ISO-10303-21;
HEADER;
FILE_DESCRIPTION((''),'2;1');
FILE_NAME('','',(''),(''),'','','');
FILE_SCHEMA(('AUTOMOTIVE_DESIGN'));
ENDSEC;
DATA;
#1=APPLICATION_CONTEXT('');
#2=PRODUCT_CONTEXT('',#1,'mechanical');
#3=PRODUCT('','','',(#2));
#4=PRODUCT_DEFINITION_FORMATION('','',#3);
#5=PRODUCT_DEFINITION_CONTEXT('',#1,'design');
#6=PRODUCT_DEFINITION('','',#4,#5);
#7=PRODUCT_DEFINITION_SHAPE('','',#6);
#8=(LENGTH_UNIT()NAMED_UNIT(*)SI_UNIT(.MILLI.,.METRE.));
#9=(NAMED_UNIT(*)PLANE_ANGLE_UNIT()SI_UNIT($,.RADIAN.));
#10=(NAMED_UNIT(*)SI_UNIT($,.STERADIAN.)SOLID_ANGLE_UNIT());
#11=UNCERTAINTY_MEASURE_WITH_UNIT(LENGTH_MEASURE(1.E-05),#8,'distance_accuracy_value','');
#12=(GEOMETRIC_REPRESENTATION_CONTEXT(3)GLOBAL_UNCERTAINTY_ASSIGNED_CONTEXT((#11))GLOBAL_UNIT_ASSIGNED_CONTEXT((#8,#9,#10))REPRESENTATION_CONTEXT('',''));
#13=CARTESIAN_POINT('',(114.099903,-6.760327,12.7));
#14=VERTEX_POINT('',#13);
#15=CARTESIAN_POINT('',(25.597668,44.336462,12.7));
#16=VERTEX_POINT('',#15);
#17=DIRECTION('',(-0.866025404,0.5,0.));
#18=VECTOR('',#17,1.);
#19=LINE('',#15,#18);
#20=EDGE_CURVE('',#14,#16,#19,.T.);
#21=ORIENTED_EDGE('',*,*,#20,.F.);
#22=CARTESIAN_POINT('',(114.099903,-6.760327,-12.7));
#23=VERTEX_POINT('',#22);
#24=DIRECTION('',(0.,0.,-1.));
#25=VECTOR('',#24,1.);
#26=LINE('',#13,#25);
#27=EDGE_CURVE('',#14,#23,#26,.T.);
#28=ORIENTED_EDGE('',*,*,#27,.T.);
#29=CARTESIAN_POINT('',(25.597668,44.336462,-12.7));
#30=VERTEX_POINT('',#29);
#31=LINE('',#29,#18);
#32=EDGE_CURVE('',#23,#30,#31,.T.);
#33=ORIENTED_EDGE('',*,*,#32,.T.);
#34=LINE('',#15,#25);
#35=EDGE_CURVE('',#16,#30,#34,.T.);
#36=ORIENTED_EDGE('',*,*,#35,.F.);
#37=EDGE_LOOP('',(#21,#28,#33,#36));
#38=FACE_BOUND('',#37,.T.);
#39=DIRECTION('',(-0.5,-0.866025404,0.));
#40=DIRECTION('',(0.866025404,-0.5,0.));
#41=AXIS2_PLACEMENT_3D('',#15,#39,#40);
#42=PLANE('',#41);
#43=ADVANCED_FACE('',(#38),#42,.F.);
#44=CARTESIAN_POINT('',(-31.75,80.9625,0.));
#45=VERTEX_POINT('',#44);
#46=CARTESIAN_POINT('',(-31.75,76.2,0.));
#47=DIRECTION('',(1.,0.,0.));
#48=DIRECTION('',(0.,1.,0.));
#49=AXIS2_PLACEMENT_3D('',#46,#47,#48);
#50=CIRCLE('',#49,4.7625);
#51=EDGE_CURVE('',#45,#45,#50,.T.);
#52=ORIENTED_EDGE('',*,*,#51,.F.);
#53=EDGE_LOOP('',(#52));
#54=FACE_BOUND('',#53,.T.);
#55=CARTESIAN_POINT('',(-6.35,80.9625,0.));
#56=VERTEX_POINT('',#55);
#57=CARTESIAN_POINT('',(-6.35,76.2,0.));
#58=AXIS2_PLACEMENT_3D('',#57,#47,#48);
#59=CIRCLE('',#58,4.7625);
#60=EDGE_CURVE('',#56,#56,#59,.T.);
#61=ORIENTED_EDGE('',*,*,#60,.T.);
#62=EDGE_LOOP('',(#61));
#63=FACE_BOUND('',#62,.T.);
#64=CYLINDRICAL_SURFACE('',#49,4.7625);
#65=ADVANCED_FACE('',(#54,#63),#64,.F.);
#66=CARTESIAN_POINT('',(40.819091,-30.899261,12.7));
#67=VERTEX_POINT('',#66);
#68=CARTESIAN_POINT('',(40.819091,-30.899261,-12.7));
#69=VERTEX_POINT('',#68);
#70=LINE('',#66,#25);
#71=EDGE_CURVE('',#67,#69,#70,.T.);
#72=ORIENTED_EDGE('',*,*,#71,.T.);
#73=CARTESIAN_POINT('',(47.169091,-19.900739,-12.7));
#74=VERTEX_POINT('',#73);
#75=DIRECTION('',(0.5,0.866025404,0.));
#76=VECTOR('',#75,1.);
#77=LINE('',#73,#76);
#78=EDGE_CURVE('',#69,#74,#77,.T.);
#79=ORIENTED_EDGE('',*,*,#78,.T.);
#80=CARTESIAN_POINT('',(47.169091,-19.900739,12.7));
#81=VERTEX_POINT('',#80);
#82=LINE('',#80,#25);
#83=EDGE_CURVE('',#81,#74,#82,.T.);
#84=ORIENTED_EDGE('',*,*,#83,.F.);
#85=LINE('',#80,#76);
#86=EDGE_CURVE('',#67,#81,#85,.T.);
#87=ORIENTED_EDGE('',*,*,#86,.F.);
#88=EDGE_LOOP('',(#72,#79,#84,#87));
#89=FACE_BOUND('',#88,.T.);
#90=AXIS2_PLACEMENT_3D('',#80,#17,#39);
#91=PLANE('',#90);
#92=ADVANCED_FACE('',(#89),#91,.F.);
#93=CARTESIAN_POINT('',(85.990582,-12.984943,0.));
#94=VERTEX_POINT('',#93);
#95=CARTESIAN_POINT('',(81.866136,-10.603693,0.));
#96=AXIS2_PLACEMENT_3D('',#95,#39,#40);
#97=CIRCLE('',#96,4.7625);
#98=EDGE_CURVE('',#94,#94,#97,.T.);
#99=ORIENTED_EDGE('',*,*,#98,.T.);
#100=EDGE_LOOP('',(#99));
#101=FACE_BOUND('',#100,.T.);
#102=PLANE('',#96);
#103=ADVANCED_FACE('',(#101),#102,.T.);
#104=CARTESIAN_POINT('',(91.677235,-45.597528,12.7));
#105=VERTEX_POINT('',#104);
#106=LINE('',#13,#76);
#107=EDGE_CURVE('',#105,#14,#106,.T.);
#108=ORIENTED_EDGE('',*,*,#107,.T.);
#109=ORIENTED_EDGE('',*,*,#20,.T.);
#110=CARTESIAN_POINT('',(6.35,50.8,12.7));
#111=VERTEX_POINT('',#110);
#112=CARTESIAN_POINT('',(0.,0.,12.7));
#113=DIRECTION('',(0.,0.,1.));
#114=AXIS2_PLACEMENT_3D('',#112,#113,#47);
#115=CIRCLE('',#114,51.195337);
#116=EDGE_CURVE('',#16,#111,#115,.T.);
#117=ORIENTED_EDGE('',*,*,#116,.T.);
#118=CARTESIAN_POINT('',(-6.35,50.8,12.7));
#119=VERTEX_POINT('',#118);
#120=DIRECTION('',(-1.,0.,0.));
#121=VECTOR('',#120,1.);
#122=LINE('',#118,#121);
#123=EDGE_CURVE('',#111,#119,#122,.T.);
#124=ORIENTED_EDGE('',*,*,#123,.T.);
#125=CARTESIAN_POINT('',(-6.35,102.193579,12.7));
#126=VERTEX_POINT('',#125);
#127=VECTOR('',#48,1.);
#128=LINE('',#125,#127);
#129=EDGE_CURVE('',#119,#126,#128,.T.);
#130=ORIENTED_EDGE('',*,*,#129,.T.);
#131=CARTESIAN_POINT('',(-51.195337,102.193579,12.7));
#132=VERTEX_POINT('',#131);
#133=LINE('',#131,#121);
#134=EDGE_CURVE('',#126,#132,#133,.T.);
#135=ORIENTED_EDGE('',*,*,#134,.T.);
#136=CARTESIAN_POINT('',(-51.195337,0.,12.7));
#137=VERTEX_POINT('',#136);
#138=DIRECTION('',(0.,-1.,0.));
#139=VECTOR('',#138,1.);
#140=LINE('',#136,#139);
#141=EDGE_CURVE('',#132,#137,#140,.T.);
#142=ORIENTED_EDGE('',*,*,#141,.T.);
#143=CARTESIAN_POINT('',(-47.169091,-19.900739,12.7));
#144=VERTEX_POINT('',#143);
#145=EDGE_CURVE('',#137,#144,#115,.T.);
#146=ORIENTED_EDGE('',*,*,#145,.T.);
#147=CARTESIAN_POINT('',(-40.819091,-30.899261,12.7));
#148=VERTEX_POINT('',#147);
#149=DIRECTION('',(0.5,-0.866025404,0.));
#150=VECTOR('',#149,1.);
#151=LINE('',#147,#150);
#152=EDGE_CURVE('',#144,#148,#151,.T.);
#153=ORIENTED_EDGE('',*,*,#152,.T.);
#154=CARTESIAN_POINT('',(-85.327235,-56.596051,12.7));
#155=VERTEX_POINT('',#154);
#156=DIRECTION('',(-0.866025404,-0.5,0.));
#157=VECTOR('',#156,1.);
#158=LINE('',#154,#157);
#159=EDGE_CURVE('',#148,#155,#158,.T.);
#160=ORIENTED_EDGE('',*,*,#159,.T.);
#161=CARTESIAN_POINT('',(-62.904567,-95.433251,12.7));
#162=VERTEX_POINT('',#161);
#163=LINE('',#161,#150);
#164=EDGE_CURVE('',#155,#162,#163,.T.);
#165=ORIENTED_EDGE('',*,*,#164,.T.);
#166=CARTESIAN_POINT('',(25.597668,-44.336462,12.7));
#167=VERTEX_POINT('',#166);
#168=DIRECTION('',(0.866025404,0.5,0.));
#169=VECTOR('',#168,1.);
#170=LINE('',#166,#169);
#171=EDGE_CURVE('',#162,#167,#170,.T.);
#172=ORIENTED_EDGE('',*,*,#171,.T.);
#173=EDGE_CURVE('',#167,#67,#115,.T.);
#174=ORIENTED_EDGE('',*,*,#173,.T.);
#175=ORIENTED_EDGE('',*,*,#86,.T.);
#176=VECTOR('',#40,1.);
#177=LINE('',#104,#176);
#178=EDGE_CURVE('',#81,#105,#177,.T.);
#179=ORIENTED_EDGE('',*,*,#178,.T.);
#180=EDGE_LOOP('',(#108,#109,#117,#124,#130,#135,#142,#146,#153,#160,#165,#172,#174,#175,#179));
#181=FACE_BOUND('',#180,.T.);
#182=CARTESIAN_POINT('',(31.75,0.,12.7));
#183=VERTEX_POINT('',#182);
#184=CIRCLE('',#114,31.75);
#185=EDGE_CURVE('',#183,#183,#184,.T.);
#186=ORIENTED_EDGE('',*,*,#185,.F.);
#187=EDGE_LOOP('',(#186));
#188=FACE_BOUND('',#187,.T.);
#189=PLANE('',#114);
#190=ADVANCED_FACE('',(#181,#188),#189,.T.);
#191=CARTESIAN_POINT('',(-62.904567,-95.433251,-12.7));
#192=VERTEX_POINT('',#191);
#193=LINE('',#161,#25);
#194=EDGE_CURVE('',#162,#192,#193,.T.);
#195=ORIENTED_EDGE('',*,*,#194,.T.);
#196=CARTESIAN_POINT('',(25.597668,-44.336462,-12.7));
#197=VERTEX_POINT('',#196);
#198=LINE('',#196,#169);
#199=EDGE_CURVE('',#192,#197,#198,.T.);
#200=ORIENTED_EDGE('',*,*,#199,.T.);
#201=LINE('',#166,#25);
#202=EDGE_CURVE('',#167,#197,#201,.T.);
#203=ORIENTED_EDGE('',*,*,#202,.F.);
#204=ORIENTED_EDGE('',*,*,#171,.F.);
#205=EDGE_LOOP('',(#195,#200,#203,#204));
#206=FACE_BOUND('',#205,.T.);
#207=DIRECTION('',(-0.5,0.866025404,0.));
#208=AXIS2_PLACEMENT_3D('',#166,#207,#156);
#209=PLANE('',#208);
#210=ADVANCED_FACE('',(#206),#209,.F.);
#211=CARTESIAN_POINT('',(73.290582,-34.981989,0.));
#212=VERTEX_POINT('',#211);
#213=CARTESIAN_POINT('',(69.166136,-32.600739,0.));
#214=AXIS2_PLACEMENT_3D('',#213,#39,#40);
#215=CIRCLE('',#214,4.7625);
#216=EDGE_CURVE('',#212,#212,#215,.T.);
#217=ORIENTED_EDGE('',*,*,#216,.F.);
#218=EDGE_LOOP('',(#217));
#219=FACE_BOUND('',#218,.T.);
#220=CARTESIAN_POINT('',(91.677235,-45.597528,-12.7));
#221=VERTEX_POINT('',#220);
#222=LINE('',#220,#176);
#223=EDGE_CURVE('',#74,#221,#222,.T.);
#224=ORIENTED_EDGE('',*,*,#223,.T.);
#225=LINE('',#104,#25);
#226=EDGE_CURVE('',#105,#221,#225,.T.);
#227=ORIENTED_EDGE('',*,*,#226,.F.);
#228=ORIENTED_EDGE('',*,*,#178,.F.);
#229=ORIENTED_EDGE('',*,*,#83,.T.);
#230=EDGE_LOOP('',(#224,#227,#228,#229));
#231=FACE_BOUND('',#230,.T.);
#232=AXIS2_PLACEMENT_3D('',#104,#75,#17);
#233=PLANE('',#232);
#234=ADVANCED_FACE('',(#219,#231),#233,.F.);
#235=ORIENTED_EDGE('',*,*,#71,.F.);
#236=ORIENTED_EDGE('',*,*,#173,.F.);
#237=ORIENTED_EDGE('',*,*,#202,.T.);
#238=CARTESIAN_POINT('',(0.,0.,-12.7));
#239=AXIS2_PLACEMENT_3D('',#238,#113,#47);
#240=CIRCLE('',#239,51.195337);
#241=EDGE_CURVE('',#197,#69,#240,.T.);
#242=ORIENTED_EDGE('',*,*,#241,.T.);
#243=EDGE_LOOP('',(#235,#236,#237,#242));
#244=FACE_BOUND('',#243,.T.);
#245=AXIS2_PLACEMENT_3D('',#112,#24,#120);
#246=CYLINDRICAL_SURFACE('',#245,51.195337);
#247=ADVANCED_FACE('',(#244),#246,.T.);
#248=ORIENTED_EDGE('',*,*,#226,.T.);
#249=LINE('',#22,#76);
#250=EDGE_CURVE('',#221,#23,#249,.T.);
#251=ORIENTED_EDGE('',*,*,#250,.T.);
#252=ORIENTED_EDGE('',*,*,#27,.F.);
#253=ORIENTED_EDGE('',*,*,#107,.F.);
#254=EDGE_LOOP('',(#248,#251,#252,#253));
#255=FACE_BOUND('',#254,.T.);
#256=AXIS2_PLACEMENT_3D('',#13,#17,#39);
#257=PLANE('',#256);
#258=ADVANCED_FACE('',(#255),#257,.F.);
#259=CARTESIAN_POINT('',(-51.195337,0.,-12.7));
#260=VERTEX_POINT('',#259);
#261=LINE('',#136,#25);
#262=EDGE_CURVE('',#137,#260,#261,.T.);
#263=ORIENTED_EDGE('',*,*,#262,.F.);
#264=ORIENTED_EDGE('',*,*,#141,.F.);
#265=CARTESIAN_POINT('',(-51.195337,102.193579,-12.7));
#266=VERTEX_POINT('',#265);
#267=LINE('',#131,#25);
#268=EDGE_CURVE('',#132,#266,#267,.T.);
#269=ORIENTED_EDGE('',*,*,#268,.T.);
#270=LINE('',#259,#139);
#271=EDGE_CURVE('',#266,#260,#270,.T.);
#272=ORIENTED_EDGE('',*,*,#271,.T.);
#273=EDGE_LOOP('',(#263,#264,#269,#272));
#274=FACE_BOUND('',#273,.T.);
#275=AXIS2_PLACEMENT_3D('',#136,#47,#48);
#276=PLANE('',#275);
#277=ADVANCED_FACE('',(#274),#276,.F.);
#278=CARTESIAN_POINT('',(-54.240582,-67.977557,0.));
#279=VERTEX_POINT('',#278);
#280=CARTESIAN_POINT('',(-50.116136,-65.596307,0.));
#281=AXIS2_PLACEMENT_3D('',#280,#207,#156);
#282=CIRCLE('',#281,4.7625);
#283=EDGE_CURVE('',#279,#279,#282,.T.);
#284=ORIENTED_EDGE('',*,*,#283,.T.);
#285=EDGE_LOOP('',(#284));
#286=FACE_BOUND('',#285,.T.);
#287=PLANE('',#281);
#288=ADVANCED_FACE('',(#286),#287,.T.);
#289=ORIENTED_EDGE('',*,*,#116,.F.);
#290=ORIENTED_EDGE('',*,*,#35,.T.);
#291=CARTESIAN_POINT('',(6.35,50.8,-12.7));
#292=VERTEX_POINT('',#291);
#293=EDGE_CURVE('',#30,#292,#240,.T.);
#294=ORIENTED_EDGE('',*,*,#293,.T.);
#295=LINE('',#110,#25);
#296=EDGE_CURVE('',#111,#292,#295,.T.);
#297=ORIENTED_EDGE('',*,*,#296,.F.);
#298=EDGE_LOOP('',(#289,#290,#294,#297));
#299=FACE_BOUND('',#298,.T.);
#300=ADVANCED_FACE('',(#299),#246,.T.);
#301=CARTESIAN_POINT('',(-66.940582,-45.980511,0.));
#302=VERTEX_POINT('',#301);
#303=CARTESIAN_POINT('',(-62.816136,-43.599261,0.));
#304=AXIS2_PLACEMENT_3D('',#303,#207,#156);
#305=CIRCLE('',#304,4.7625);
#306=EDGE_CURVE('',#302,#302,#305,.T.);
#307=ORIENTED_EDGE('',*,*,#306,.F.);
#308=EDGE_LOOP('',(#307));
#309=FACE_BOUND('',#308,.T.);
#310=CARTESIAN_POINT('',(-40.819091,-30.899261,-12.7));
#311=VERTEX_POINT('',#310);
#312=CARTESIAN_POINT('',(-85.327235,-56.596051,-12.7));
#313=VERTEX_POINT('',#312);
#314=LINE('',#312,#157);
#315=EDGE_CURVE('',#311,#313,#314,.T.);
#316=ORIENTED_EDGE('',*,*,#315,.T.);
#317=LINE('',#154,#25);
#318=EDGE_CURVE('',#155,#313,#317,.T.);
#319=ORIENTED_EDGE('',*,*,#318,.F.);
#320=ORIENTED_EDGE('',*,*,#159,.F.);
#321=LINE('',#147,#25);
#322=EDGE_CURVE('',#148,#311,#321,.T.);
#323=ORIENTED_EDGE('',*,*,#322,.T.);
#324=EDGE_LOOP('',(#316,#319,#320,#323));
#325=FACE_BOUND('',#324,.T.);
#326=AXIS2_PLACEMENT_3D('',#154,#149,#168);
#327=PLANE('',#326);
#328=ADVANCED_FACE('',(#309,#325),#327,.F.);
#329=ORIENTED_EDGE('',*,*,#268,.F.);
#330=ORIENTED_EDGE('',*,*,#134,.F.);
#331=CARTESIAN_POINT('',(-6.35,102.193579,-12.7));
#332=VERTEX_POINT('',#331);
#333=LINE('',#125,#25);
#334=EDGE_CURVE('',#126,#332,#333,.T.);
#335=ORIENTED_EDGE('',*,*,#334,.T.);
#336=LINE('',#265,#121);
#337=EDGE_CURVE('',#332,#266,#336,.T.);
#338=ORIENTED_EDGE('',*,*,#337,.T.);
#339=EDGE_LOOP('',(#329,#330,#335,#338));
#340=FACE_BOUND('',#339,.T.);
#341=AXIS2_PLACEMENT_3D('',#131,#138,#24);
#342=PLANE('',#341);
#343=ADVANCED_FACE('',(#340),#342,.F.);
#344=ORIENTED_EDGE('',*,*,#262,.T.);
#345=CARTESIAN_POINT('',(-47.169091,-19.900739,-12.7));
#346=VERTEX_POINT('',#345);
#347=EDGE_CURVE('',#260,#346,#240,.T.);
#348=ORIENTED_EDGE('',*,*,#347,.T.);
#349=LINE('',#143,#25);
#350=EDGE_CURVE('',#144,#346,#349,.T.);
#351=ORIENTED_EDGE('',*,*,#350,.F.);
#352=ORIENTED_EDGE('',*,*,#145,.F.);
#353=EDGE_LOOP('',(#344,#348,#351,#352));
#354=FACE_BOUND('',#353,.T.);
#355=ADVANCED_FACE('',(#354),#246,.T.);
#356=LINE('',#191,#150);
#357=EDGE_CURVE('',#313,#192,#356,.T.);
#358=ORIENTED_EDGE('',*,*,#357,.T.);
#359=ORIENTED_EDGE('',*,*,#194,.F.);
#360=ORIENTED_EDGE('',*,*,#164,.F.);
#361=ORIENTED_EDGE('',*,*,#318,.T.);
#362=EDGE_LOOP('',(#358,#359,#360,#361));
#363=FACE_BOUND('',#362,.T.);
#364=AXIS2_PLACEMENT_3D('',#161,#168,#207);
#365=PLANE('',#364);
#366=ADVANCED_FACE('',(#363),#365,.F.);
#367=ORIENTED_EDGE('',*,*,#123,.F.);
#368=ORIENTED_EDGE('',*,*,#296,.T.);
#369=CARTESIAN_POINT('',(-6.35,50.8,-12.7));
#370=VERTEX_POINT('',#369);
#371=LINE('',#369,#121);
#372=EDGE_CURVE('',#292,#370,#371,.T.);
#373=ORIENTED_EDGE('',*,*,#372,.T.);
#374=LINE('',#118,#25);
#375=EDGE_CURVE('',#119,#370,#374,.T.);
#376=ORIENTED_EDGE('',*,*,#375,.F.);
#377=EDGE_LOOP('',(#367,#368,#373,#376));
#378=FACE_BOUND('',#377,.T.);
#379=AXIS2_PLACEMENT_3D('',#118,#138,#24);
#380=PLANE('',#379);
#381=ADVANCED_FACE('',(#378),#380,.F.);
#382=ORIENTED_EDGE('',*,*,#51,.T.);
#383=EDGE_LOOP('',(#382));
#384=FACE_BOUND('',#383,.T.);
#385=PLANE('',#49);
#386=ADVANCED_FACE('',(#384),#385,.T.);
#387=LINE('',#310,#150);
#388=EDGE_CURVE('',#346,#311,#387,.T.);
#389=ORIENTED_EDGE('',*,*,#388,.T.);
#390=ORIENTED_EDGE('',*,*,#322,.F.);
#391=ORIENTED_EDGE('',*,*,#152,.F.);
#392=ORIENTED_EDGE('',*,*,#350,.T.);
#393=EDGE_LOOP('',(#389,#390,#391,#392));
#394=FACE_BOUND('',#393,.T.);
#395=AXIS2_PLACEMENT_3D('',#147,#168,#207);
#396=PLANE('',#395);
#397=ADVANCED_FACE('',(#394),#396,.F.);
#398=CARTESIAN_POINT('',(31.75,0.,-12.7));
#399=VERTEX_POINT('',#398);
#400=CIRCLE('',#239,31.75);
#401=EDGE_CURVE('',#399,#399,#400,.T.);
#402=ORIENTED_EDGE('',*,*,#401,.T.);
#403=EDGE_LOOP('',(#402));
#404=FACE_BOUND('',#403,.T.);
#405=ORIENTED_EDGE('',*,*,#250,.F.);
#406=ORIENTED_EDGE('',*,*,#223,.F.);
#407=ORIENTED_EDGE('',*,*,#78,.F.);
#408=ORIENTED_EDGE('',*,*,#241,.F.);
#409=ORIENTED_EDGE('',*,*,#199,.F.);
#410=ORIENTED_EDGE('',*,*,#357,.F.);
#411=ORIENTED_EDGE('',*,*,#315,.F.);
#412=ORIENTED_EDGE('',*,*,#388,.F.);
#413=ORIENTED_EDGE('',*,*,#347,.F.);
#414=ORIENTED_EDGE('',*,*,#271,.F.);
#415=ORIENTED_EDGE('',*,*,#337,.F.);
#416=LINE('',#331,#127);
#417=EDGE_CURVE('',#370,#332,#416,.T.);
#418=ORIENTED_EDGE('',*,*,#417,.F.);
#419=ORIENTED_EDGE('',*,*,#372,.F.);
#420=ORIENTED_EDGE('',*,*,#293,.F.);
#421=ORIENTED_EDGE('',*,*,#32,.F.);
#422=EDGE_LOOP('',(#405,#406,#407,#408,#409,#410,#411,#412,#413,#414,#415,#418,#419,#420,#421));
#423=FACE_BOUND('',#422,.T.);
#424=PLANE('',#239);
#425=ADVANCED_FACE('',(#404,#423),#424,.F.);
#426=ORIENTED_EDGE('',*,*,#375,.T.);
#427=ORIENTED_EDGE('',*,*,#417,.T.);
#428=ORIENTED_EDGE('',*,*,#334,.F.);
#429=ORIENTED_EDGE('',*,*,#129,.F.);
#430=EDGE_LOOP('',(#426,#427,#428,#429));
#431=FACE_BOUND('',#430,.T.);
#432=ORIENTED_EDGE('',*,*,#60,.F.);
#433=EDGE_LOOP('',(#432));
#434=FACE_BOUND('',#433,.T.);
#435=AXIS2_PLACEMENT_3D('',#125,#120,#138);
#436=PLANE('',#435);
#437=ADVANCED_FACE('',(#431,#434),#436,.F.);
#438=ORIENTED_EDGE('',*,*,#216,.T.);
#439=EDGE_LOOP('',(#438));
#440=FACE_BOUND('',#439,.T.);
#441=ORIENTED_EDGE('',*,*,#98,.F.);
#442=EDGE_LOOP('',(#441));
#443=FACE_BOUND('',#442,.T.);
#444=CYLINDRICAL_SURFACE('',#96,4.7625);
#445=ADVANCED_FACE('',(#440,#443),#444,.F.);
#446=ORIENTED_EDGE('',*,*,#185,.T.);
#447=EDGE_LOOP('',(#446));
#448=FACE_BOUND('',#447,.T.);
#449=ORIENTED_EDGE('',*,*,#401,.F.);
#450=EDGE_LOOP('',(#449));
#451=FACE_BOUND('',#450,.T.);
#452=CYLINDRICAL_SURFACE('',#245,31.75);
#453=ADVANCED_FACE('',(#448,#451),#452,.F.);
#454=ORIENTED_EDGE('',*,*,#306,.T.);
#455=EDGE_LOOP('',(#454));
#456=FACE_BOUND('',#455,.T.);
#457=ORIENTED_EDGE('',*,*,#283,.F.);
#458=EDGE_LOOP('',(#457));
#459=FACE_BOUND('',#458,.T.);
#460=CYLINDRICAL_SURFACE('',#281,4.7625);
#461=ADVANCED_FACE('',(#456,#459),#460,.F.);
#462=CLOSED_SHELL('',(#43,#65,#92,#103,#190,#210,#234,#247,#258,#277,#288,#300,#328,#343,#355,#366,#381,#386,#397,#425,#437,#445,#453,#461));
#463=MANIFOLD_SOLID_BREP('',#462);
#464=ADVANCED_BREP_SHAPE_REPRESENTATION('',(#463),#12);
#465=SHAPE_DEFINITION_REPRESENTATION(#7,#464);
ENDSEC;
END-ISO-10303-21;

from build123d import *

# Parameters (mm, degrees)
SKETCH1_R           = 31.75
BOSS_EXTRUDE1_DEPTH = 12.7
SKETCH2_R           = 4.7625
CUT_EXTRUDE1_DEPTH  = 25.4
CIRPATTERN1_COUNT   = 3


with BuildPart() as part:
    # Sketch1 → Boss-Extrude1 (new, symmetric)
    with BuildSketch(Plane.XY):
        with BuildLine():
            Line((-51.195336702, 0), (-51.195336702, 102.193578565))
            Line((-51.195336702, 102.193578565), (-6.35, 102.193578565))
            Line((-6.35, 102.193578565), (-6.35, 50.8))
            Line((-6.35, 50.8), (6.35, 50.8))
            ThreePointArc((6.35, 50.8), (16.297475531, 48.531997603), (25.597668351, 44.336462139))
            Line((25.597668351, 44.336462139), (114.099903492, -6.760327144))
            Line((114.099903492, -6.760327144), (91.677235141, -45.597527969))
            Line((91.677235141, -45.597527969), (47.169090512, -19.900738686))
            Line((47.169090512, -19.900738686), (40.819090512, -30.899261314))
            ThreePointArc((40.819090512, -30.899261314), (33.881205055, -38.380026629), (25.597668351, -44.336462139))
            Line((25.597668351, -44.336462139), (-62.90456679, -95.433251422))
            Line((-62.90456679, -95.433251422), (-85.327235141, -56.596050597))
            Line((-85.327235141, -56.596050597), (-40.819090512, -30.899261314))
            Line((-40.819090512, -30.899261314), (-47.169090512, -19.900738686))
            ThreePointArc((-47.169090512, -19.900738686), (-50.178680586, -10.151970974), (-51.195336702, 0))
        make_face()
        Circle(SKETCH1_R, mode=Mode.SUBTRACT)
    extrude(amount=BOSS_EXTRUDE1_DEPTH, both=True)

    # Sketch2 → Cut-Extrude1 (cut)
    with BuildSketch(Plane(origin=(-6.35, 0, 0), x_dir=(0, 0, -1), z_dir=(1, 0, 0))):
        with Locations(Location((0, 76.2, 0), (0, 0, 90))):
            Circle(SKETCH2_R)
    cut_extrude1 = extrude(amount=-CUT_EXTRUDE1_DEPTH, mode=Mode.SUBTRACT)

    # CirPattern1: Cut-Extrude1 ×3 about axis
    cirpattern1_axis = Axis((0, 0, 0), (0, 0, 1))
    for i in range(1, CIRPATTERN1_COUNT):
        add(cut_extrude1.rotate(cirpattern1_axis, i * 360 / CIRPATTERN1_COUNT), mode=Mode.SUBTRACT)


solid = part.part
